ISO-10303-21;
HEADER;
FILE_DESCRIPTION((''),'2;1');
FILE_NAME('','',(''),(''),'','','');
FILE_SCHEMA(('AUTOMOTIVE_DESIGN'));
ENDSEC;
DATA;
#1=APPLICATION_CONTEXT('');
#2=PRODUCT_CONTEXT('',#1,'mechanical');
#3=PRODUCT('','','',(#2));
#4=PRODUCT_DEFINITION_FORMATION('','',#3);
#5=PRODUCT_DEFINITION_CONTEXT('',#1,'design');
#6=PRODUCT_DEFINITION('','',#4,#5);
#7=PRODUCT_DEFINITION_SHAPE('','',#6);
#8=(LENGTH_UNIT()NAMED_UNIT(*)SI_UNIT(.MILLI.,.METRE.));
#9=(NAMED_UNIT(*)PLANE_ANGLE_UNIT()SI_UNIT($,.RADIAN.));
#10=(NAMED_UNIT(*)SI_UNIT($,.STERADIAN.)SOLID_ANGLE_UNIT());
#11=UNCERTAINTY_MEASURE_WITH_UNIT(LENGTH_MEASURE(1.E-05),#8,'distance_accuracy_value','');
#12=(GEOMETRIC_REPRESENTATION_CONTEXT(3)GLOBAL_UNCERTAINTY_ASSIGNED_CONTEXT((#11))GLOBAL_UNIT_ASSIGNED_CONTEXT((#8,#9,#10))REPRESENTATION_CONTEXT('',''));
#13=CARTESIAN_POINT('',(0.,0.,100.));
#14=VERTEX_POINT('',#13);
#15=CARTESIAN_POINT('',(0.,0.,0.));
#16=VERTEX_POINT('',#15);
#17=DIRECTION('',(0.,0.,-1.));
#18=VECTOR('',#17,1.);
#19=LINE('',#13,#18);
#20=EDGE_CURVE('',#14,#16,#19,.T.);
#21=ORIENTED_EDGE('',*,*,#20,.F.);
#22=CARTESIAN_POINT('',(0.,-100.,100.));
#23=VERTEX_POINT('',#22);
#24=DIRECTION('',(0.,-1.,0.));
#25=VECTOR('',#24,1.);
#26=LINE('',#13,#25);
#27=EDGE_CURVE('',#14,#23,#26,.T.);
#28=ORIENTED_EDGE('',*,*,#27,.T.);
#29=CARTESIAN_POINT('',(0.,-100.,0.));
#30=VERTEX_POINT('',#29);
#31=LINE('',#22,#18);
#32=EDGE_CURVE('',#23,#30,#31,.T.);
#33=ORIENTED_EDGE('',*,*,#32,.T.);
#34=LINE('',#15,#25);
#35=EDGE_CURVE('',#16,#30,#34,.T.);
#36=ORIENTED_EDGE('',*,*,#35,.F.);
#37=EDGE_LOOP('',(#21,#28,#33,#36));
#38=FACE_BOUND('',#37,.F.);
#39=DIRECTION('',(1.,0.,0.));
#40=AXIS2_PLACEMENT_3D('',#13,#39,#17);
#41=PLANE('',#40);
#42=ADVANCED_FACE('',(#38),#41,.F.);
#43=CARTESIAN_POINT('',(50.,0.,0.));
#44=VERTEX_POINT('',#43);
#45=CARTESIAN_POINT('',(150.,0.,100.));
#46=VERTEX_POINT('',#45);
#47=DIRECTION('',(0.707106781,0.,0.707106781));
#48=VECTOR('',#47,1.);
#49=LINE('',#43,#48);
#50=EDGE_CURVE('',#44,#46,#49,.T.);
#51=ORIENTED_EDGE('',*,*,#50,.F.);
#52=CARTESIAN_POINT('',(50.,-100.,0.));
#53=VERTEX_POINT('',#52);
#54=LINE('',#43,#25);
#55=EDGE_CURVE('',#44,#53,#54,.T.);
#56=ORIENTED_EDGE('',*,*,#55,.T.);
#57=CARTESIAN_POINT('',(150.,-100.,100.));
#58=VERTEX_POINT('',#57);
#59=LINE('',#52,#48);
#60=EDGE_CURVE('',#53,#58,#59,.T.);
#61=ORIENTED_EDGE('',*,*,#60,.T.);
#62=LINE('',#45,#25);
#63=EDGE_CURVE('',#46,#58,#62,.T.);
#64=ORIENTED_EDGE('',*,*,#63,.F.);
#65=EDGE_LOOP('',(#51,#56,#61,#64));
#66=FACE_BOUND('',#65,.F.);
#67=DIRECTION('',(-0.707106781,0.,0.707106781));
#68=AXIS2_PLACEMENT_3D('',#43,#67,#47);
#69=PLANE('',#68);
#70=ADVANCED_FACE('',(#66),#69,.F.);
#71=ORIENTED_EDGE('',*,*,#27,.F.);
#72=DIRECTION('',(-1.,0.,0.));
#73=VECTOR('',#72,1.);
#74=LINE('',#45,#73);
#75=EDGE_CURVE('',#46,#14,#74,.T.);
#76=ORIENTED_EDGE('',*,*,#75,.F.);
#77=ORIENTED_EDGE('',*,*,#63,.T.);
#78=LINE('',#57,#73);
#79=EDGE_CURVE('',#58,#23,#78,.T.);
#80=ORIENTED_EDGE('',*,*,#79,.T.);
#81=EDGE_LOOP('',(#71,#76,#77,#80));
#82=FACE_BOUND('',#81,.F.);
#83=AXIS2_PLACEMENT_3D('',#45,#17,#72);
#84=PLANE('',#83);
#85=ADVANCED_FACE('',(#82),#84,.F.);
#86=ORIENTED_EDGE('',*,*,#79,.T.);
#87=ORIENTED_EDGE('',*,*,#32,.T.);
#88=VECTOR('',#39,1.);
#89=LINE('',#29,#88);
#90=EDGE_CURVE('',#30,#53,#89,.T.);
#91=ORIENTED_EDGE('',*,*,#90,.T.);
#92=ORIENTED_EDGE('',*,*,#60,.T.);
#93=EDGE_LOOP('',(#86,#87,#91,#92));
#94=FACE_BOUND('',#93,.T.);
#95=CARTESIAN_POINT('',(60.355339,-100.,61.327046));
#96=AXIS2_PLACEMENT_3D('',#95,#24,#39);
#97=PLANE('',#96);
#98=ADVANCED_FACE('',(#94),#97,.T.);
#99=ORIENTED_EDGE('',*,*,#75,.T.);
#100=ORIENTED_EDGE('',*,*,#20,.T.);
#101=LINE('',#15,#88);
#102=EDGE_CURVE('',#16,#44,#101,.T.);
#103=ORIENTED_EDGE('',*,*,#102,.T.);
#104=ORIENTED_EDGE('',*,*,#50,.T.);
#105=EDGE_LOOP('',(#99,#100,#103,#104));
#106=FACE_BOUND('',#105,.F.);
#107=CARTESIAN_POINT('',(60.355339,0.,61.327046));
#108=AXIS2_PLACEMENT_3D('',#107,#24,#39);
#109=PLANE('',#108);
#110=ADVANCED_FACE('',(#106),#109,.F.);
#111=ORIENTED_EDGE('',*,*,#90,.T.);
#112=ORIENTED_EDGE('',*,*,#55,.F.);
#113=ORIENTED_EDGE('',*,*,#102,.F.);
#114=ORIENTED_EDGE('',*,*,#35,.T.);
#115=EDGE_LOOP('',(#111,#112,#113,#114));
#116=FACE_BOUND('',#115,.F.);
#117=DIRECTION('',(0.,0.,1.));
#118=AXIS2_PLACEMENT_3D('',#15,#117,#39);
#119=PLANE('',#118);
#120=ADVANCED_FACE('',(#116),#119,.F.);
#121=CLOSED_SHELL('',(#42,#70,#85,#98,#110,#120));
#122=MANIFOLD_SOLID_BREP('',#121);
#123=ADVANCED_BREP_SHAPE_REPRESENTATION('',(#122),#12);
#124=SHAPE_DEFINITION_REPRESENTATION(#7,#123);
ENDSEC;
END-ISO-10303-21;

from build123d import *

# Parameters (mm, degrees)
PAD_DEPTH = 100


with BuildPart() as part:
    # Sketch → Pad (new body)
    with BuildSketch(Plane.XZ):
        Polygon((0, 100), (0, 0), (50, 0), (150, 100), align=None)
    extrude(amount=PAD_DEPTH)


solid = part.part
